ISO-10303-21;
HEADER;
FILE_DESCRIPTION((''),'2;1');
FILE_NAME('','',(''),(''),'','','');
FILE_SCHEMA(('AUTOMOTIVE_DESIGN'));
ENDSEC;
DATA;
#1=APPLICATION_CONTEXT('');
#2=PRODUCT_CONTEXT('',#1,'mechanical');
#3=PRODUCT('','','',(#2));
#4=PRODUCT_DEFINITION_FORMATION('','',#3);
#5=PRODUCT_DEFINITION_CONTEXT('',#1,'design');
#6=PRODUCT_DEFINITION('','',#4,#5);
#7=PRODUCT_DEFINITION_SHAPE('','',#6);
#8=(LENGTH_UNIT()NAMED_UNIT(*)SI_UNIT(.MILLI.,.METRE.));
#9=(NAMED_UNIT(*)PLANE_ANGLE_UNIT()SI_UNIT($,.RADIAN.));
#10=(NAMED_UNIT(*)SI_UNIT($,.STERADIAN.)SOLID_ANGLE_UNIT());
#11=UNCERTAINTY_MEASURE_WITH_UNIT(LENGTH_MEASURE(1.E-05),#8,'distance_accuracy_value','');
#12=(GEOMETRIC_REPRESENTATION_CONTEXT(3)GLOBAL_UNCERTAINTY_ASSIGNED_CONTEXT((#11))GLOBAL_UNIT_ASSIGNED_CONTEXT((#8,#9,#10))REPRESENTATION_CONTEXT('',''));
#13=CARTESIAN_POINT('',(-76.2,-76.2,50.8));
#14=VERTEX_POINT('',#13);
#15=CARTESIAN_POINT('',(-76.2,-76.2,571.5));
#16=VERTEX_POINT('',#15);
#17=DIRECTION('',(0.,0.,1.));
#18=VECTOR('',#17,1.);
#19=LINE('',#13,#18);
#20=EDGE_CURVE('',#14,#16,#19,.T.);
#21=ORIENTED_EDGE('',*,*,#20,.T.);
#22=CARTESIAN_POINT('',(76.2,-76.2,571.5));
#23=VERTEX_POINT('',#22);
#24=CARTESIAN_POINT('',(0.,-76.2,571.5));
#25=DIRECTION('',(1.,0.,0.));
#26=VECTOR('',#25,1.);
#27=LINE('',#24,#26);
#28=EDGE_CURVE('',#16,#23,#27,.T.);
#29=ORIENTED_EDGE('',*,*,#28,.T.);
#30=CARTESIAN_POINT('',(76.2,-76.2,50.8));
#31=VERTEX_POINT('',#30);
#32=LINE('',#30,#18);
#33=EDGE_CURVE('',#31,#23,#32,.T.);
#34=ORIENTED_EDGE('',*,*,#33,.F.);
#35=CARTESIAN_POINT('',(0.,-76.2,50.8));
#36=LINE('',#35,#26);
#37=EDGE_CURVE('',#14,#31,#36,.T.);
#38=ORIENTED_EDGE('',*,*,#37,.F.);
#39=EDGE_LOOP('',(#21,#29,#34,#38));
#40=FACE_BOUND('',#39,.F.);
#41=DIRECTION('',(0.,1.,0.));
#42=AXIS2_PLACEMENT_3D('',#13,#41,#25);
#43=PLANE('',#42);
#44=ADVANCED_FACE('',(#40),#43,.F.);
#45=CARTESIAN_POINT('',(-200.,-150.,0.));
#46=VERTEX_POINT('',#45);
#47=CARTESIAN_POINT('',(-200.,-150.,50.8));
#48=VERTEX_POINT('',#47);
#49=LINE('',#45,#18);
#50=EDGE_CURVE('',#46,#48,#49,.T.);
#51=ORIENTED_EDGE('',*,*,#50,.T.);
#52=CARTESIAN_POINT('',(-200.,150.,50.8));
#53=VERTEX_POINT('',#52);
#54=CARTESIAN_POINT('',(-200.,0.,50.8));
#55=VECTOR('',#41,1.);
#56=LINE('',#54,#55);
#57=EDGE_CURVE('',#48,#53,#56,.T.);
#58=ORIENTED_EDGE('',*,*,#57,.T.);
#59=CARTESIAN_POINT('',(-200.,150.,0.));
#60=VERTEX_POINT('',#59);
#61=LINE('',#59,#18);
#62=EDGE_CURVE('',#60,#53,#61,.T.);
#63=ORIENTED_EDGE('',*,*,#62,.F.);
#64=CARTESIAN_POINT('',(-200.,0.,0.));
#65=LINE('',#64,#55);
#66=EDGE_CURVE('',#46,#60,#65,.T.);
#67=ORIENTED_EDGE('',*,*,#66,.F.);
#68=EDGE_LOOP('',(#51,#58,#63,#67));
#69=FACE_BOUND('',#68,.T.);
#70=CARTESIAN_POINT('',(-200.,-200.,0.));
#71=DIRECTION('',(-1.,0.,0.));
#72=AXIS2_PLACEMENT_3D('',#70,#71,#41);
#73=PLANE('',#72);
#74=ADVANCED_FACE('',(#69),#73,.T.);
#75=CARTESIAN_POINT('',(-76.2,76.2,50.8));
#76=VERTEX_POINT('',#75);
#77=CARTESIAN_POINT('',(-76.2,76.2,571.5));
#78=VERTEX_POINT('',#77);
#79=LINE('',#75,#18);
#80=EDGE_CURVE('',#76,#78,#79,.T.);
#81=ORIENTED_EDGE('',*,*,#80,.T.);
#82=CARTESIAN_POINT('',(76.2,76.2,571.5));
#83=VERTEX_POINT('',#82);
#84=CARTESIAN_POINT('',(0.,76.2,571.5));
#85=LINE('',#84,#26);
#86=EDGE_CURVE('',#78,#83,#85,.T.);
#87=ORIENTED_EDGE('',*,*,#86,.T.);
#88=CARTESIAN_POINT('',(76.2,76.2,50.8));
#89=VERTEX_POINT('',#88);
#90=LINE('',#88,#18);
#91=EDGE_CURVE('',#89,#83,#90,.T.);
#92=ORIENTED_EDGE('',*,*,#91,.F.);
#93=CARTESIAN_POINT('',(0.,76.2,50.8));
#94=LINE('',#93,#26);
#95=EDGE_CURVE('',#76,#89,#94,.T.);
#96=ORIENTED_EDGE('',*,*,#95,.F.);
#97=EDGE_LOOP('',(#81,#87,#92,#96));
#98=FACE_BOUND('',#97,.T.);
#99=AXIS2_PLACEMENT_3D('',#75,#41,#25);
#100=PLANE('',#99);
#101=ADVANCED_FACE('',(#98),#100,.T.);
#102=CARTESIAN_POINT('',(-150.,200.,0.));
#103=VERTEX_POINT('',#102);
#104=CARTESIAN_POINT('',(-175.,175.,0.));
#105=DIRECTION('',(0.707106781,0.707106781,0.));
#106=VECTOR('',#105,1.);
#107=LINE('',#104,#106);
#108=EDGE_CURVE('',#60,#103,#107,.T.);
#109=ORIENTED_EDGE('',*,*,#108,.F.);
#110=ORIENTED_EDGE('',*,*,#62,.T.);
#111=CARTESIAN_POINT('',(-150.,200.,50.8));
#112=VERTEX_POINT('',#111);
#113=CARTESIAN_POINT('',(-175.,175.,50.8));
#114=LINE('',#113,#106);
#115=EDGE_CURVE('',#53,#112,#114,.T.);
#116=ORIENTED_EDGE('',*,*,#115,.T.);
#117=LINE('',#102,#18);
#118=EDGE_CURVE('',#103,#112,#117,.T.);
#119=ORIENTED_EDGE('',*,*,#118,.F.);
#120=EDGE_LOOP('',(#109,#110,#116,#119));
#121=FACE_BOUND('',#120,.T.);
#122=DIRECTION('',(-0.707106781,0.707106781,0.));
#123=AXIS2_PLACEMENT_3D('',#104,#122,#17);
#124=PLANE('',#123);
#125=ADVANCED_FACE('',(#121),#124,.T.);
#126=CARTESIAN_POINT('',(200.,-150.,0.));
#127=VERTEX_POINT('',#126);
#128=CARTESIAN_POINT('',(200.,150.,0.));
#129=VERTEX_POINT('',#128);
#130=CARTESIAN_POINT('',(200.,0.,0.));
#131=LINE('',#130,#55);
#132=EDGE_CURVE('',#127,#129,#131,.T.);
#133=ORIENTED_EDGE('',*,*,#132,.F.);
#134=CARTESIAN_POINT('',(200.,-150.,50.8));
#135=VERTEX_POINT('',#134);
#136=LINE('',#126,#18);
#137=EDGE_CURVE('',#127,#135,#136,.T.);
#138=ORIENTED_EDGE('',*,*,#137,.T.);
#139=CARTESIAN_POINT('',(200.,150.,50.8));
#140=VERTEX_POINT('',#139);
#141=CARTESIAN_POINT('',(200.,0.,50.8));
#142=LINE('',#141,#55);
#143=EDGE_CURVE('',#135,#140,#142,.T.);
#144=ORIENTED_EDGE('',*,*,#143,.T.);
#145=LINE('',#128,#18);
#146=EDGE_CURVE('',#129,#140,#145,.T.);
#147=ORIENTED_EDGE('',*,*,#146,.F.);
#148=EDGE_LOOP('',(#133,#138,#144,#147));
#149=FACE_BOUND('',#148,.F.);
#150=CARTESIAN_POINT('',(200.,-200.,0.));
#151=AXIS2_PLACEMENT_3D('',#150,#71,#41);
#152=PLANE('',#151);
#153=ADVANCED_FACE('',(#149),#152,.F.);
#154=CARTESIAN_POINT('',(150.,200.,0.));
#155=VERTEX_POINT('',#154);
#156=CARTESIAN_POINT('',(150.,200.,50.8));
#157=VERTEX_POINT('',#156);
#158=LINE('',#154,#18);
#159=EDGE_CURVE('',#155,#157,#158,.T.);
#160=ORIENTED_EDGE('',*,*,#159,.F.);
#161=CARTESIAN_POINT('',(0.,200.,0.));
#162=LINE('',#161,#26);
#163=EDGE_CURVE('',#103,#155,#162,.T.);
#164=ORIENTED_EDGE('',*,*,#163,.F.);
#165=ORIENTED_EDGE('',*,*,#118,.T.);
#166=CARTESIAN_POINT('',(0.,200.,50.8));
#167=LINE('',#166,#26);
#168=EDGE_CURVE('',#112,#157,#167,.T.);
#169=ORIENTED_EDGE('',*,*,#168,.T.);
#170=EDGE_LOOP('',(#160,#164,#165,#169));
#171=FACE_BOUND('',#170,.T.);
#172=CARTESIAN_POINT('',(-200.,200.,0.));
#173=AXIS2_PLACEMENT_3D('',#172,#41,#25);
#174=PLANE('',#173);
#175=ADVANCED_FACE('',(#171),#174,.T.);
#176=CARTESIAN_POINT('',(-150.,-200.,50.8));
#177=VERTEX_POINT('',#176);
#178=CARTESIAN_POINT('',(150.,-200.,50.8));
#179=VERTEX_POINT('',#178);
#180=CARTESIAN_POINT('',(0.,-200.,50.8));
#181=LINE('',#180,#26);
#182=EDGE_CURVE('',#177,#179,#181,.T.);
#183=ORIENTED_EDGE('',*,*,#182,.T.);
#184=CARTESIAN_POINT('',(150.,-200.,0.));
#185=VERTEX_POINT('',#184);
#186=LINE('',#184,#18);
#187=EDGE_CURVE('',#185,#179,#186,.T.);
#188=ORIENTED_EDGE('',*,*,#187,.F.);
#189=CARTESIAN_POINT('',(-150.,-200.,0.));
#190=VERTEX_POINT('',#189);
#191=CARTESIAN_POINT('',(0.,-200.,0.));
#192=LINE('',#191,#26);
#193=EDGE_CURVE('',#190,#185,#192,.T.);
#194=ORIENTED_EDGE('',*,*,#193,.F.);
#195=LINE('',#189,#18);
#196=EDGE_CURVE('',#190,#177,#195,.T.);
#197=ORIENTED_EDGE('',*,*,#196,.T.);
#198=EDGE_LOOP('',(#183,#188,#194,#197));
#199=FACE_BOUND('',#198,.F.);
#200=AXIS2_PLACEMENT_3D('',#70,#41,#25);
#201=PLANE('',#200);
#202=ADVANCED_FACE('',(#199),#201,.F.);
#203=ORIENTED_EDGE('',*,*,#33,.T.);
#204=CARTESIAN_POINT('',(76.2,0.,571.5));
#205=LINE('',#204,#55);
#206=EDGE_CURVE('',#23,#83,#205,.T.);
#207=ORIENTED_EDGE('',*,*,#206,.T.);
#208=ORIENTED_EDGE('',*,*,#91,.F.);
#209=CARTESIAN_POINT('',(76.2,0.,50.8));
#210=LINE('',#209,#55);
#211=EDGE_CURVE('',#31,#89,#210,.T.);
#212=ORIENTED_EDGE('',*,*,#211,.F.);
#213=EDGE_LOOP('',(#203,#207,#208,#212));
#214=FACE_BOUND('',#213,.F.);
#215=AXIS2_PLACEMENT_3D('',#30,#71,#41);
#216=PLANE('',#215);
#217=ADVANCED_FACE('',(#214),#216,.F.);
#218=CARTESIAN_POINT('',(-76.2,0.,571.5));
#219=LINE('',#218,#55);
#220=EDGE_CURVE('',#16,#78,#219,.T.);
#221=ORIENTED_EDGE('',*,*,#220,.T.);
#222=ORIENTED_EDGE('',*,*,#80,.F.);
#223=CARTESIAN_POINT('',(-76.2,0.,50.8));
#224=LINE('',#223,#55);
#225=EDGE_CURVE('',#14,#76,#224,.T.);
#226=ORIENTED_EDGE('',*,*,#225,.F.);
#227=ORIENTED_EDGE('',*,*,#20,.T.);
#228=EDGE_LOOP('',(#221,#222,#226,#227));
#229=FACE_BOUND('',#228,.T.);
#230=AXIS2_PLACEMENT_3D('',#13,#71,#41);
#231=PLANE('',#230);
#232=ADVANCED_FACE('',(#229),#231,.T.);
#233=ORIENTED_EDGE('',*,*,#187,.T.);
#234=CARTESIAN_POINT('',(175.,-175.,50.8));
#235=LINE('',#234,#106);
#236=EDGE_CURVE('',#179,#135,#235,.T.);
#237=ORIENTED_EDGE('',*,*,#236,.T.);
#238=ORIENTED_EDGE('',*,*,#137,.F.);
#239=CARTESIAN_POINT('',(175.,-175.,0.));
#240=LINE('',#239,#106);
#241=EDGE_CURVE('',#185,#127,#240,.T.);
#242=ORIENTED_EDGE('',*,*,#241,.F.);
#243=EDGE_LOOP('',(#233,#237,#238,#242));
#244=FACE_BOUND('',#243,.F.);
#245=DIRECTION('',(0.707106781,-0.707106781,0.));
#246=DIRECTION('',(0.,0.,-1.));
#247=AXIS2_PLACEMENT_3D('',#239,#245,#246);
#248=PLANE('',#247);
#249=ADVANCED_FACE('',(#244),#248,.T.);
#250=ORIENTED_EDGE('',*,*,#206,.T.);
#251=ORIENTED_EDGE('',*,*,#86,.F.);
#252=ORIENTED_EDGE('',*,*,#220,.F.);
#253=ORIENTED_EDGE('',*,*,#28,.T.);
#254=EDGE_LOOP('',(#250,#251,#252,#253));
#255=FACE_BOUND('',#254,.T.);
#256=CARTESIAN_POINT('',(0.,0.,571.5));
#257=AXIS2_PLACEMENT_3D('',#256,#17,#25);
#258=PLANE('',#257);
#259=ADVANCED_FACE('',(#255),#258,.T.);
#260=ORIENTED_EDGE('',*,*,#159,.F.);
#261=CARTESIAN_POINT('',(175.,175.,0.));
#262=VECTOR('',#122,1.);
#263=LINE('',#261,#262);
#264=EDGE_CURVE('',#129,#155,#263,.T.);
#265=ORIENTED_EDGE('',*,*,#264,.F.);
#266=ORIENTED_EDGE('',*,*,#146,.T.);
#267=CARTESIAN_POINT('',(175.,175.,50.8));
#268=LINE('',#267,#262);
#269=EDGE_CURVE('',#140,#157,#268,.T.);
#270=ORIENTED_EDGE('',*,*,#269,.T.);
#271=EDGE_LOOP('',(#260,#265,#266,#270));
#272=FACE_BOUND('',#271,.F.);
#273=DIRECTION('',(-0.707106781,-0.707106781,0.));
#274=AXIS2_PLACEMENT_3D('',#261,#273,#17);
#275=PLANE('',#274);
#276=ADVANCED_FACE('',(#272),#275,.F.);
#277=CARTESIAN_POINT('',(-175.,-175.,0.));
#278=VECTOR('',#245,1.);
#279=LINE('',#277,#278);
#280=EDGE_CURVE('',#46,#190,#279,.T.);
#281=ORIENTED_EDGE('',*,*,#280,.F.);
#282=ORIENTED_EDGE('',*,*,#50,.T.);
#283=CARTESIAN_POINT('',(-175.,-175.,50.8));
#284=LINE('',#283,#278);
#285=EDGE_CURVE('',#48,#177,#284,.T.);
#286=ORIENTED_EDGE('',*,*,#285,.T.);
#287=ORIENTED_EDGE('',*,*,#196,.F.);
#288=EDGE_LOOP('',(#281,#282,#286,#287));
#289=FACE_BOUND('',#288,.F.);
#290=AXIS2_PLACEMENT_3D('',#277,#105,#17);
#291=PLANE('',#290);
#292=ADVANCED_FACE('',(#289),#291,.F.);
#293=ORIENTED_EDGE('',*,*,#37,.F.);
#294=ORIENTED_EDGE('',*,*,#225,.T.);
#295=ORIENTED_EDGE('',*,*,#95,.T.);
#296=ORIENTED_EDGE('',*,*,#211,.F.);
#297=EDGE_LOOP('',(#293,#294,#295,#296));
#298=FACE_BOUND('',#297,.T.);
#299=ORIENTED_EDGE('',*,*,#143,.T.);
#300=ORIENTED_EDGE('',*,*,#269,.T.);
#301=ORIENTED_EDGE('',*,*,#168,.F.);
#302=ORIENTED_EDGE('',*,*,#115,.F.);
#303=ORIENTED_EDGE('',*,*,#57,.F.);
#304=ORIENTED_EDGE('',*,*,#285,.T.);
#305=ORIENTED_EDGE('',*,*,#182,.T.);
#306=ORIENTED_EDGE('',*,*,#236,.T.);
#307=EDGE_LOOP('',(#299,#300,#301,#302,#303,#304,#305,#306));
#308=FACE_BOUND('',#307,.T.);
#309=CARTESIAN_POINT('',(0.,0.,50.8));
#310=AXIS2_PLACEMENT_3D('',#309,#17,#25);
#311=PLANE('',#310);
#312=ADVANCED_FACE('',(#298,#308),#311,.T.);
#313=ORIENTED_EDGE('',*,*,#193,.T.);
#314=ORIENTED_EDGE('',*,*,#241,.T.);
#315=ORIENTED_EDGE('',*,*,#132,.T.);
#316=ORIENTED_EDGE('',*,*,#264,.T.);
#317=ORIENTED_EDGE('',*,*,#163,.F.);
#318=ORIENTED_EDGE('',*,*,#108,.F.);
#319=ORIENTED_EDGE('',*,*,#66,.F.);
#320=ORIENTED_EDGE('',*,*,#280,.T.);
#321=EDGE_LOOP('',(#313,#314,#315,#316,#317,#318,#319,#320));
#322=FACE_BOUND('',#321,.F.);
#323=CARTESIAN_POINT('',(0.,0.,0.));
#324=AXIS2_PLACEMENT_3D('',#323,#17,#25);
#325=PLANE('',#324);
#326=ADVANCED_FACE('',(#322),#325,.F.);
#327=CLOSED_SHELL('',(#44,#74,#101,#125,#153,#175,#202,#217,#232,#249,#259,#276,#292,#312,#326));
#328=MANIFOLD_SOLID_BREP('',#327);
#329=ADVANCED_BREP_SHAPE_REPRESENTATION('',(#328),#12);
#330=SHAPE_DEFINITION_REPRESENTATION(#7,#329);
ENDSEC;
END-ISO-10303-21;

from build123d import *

# Parameters (mm, degrees)
F0_W     = 400
F0_H     = 400
F1_DEPTH = 50.8
F2_SIZE  = 50
F3_W     = 152.4
F3_H     = 152.4
F4_DEPTH = 520.7


with BuildPart() as f1:
    # F0 (on Top) → F1 (new body)
    with BuildSketch(Plane.XY):
        Rectangle(F0_W, F0_H)
    extrude(amount=F1_DEPTH)

    # F2
    f2_edges = [f1.edges().sort_by_distance(p)[0] for p in [
        (-200, 200, 25.4),
        (-200, -200, 25.4),
        (200, -200, 25.4),
        (200, 200, 25.4),
    ]]
    chamfer(f2_edges, length=F2_SIZE)

    # F3 (on face) → F4 (join)
    with BuildSketch(Plane.XY.offset(50.8)):
        Rectangle(F3_W, F3_H)
    extrude(amount=F4_DEPTH)


solid = f1.part
